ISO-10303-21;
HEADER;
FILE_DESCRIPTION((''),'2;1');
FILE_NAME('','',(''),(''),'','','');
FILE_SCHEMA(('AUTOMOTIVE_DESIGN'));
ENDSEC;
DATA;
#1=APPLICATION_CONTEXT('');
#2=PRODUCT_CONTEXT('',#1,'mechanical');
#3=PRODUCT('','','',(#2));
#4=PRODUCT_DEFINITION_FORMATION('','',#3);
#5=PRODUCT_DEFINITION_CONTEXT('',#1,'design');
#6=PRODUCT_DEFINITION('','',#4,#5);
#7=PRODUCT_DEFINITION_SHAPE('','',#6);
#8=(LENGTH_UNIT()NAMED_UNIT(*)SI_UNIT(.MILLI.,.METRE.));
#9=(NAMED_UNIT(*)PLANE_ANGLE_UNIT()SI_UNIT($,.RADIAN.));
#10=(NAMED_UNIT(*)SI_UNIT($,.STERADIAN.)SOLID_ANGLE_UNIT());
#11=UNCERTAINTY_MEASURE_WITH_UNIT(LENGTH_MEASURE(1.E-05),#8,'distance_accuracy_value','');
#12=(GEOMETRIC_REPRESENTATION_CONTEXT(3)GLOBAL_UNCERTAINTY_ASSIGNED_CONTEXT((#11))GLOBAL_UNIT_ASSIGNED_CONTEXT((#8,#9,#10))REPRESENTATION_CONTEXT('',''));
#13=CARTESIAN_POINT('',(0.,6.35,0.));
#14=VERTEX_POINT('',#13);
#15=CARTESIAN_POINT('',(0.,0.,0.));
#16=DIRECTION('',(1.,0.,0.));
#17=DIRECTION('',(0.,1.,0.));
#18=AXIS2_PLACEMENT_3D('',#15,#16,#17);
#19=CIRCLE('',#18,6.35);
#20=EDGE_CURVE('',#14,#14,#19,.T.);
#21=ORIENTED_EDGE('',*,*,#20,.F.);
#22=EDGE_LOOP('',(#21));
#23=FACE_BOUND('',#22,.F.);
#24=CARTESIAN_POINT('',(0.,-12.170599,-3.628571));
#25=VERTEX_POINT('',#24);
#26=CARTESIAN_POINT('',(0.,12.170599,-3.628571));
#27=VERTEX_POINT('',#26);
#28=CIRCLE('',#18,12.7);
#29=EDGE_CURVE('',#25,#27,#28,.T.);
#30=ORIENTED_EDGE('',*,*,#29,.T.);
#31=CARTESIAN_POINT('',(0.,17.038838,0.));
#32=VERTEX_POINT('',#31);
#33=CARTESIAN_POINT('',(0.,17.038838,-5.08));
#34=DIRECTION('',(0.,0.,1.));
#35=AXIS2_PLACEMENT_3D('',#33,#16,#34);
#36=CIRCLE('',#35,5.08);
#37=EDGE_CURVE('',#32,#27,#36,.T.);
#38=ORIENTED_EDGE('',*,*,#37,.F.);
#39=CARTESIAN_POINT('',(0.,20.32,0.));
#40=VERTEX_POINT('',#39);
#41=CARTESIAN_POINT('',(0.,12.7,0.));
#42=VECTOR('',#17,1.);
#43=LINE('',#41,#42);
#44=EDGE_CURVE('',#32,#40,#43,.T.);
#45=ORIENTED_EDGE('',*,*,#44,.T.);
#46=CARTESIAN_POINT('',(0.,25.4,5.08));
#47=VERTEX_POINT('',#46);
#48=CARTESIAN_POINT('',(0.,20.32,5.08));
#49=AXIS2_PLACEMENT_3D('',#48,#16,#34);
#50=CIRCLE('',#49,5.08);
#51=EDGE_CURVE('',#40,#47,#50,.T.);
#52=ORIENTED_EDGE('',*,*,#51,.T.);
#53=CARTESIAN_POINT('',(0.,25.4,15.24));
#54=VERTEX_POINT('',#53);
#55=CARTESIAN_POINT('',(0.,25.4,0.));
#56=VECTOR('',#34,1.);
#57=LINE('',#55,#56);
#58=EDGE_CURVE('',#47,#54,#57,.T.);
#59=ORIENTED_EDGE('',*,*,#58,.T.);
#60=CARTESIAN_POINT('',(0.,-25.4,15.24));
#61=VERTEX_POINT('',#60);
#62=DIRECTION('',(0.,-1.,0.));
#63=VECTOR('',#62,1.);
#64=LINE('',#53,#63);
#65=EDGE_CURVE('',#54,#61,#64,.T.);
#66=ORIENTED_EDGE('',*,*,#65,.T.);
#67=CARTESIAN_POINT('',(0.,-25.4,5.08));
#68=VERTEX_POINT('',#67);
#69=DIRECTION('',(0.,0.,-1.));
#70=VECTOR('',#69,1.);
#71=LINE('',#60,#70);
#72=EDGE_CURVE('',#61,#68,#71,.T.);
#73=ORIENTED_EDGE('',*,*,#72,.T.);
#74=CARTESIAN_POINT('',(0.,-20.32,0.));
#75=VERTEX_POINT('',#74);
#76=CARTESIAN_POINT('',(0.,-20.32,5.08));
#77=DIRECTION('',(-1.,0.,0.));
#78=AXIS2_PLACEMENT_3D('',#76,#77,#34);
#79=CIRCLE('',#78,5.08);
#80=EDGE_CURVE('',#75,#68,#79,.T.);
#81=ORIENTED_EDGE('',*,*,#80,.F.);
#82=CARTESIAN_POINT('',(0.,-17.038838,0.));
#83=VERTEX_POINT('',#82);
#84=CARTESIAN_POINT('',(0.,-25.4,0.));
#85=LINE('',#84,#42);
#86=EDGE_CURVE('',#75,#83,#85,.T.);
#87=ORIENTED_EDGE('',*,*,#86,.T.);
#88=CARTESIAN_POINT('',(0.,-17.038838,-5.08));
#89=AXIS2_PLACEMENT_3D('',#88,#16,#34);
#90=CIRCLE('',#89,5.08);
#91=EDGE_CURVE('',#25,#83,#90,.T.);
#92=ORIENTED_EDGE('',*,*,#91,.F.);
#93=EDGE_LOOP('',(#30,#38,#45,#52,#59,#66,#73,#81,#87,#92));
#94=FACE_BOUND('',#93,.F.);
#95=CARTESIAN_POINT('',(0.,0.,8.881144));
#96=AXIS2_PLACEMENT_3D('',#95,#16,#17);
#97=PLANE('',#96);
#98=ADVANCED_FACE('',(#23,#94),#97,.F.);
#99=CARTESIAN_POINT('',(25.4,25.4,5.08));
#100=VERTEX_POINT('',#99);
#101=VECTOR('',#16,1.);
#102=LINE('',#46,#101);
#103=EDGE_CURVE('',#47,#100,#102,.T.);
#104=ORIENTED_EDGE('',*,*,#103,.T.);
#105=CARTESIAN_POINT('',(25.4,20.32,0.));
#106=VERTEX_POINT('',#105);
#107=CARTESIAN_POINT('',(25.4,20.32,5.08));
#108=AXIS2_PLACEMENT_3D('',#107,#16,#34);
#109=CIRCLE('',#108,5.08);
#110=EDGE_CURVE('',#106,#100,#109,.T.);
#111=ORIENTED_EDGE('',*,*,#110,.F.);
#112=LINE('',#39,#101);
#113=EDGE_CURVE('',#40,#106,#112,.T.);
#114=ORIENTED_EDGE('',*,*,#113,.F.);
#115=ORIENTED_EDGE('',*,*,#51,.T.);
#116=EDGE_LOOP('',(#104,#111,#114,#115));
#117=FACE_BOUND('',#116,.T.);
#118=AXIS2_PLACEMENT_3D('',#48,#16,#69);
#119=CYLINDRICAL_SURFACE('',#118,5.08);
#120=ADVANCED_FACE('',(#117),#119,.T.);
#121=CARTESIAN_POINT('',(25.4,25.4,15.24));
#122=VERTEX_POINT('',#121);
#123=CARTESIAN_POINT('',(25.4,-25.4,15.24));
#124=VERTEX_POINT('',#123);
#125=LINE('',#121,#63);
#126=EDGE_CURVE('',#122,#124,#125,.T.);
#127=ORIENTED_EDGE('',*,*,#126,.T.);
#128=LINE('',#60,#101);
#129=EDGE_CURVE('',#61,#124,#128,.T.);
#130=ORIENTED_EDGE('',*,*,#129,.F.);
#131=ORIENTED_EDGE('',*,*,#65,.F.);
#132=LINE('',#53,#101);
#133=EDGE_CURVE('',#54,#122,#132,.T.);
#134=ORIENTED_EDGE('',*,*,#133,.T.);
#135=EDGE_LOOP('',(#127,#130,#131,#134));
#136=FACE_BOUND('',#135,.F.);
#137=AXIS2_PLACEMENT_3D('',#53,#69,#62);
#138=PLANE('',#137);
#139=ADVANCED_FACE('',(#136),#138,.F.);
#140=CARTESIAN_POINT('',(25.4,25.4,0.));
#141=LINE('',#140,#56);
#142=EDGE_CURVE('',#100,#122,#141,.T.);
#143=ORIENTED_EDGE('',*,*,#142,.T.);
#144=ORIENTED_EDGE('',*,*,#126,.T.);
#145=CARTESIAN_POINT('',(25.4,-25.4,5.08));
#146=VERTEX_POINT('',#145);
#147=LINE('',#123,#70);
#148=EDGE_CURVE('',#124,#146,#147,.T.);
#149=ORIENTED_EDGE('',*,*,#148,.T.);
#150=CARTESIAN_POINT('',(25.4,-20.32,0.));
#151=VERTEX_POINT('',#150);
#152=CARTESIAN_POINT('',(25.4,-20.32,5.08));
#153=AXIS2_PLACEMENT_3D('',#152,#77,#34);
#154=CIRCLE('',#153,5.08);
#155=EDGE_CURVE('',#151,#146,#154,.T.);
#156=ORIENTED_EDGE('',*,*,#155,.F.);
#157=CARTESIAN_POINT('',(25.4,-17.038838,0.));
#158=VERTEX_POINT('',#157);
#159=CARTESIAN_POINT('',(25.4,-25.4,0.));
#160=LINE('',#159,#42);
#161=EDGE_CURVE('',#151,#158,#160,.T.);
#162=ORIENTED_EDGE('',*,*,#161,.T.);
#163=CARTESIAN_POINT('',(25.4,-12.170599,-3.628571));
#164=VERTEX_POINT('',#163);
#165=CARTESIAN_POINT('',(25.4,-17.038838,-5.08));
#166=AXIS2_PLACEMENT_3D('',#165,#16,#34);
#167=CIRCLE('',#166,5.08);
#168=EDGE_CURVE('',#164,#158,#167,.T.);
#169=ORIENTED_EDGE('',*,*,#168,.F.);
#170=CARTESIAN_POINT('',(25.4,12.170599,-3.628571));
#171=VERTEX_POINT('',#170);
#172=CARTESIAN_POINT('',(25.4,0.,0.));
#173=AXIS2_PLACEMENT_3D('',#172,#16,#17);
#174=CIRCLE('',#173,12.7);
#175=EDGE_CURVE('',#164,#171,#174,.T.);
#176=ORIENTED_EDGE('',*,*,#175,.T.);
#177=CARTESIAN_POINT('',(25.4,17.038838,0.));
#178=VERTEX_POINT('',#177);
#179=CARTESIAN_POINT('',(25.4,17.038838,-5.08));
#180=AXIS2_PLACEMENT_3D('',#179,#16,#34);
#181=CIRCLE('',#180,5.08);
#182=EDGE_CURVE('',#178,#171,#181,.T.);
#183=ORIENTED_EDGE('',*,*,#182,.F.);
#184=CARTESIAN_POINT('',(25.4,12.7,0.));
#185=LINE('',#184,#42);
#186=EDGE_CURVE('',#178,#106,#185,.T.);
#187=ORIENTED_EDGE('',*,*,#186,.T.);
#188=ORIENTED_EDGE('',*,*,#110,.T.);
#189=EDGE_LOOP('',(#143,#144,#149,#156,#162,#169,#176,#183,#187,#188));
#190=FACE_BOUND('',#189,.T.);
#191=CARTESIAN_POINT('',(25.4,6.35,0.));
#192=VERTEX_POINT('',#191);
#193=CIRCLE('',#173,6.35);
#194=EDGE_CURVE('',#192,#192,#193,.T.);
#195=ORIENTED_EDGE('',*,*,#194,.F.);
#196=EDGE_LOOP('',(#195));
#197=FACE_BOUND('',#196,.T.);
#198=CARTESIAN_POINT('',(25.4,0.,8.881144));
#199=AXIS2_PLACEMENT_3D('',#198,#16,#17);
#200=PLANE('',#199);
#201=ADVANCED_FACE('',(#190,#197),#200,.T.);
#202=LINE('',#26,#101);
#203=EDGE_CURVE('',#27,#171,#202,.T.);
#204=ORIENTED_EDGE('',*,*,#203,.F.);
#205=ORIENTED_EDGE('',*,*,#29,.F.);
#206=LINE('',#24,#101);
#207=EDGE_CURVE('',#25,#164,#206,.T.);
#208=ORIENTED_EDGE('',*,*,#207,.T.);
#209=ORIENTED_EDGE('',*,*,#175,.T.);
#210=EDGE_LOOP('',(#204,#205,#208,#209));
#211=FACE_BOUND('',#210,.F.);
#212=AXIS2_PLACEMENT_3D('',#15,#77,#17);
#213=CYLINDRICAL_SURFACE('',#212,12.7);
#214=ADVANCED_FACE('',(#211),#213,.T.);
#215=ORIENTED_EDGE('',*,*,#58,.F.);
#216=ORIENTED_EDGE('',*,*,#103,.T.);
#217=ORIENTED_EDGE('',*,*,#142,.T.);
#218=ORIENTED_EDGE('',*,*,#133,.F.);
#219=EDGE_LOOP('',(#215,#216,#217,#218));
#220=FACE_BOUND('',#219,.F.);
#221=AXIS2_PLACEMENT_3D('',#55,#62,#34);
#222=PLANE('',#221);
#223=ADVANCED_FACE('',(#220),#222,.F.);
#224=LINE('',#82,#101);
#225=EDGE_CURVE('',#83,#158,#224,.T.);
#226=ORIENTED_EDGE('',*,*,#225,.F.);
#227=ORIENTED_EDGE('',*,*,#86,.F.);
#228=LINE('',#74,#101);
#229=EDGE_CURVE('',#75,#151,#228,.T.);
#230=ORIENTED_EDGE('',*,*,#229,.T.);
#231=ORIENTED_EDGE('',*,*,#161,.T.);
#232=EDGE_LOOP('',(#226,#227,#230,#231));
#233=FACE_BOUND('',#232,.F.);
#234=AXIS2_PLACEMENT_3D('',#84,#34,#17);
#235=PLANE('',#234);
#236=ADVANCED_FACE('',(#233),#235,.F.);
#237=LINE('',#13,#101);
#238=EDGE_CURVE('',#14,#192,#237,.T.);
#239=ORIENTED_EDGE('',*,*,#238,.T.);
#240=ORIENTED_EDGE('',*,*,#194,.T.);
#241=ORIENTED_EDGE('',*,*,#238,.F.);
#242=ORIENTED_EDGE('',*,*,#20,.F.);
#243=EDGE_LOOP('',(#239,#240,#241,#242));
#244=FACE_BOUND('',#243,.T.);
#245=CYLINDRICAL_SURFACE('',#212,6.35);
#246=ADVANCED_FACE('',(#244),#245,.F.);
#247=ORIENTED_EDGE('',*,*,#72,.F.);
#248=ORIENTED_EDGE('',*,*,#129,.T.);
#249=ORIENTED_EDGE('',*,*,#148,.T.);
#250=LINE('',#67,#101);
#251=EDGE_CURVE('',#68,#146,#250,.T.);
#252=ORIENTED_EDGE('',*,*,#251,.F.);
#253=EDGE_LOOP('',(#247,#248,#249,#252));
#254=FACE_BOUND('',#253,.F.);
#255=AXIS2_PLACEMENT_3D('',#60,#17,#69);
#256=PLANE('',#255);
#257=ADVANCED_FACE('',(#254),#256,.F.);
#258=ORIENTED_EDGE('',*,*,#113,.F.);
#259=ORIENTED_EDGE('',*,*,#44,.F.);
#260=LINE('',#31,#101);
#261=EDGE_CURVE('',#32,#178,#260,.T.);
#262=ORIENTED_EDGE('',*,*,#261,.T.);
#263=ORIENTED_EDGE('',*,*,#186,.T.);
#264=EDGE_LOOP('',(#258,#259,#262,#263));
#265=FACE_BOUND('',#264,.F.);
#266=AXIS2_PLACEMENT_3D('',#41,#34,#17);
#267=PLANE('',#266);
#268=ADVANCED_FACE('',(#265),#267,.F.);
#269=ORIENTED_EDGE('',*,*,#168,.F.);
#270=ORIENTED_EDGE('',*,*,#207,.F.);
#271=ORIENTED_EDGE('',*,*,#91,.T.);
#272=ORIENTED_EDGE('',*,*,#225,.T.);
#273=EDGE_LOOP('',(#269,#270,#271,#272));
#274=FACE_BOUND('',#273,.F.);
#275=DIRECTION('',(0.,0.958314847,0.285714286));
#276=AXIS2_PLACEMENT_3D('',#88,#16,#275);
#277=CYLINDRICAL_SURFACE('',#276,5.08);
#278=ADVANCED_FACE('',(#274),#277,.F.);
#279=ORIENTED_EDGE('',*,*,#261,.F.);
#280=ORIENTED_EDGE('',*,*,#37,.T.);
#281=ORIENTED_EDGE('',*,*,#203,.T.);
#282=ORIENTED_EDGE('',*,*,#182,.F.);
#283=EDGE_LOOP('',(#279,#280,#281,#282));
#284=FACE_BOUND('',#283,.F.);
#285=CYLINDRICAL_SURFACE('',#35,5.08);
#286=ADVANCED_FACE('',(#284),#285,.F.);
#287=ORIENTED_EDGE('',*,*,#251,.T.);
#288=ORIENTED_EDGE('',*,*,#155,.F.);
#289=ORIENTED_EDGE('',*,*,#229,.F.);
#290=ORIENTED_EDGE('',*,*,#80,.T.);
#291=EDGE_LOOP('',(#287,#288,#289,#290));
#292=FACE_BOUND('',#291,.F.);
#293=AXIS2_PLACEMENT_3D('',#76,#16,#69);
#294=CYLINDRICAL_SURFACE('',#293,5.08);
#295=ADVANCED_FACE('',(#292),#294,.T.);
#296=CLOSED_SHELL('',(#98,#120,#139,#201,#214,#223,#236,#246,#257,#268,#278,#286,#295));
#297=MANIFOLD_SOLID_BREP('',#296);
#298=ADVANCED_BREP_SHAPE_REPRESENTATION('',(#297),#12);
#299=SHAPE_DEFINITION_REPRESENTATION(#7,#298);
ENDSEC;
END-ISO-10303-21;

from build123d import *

# Parameters (mm, degrees)
F0_R     = 6.35
F1_DEPTH = 25.4
F2_R     = 5.08


with BuildPart() as f1:
    # F0 (on Right) → F1 (new body)
    with BuildSketch(Plane.YZ):
        with BuildLine():
            ThreePointArc((-12.7, 0), (0, 12.7), (12.7, 0))
            Line((12.7, 0), (25.4, 0))
            Line((25.4, 0), (25.4, 15.24))
            Line((25.4, 15.24), (-25.4, 15.24))
            Line((-25.4, 15.24), (-25.4, 0))
            Line((-25.4, 0), (-12.7, 0))
        make_face()
        with BuildLine():
            ThreePointArc((-12.7, 0), (0, -12.7), (12.7, 0))
            ThreePointArc((12.7, 0), (0, 12.7), (-12.7, 0))
        make_face()
        Circle(F0_R, mode=Mode.SUBTRACT)
    extrude(amount=F1_DEPTH)

    # F2
    f2_edges = [f1.edges().sort_by_distance(p)[0] for p in [
        (12.7, -12.7, 0),
        (12.7, 12.7, 0),
        (12.7, 25.4, 0),
        (12.7, -25.4, 0),
    ]]
    fillet(f2_edges, radius=F2_R)


solid = f1.part
